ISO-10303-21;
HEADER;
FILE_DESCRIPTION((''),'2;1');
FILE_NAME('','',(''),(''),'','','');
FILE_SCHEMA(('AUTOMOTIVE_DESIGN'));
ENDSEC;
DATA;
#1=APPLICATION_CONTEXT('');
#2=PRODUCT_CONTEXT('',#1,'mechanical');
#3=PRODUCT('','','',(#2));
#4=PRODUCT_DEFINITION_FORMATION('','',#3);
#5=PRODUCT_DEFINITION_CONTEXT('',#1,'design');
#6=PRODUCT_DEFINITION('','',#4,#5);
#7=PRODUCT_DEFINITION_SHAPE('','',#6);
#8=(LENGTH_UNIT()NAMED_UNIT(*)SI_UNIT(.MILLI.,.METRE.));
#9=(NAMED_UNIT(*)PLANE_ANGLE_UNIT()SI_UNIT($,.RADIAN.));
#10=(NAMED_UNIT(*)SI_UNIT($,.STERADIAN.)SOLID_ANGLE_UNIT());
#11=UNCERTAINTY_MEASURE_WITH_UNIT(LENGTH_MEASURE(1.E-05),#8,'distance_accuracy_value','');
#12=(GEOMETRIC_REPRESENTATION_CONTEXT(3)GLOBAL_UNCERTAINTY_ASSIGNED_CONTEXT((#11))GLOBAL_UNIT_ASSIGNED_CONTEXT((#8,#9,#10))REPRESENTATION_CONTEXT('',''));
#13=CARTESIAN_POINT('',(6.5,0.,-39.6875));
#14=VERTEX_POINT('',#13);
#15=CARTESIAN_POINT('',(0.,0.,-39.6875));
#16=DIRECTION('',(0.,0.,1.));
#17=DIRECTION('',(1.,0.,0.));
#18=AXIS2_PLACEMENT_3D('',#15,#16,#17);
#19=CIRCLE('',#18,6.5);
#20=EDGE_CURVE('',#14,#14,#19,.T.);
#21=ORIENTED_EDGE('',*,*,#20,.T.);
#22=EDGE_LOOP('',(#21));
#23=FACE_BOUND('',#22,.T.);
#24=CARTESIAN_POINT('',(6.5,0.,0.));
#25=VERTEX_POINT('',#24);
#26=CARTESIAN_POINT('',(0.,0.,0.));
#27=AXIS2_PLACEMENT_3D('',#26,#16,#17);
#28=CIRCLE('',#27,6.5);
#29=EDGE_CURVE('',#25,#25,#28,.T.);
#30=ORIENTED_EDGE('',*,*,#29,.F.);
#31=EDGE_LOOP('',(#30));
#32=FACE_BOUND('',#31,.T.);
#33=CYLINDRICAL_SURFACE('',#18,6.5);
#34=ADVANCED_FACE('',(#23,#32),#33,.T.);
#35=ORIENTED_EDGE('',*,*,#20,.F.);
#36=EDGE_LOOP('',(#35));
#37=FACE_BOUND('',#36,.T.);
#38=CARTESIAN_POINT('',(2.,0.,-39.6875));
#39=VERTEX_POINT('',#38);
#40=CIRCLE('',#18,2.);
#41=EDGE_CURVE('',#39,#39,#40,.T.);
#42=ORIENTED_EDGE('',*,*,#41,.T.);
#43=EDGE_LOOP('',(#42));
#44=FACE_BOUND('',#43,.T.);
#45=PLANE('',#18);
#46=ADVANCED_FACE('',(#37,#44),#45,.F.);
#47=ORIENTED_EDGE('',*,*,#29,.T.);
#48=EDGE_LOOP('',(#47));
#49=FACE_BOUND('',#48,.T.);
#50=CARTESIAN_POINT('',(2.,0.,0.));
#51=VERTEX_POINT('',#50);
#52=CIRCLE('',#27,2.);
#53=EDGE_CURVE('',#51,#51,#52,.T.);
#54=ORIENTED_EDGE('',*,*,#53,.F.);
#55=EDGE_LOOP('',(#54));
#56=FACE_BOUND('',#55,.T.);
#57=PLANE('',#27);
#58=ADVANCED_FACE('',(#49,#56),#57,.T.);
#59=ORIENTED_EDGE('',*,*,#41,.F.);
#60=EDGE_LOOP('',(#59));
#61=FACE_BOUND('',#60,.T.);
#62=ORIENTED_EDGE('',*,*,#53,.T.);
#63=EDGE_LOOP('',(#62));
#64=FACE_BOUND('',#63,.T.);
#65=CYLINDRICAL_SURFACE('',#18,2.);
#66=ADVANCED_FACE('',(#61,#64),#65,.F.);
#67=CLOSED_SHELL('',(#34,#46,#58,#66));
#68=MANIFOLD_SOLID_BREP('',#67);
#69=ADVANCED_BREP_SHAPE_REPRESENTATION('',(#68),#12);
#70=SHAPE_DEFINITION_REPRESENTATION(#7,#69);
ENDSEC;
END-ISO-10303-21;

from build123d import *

# Parameters (mm, degrees)
SKETCH1_R           = 6.5
SKETCH1_R_2         = 2
BOSS_EXTRUDE1_DEPTH = 39.6875


with BuildPart() as part:
    # Sketch1 → Boss-Extrude1 (new body)
    with BuildSketch(Plane.XY):
        Circle(SKETCH1_R)
        Circle(SKETCH1_R_2, mode=Mode.SUBTRACT)
    extrude(amount=-BOSS_EXTRUDE1_DEPTH)


solid = part.part
